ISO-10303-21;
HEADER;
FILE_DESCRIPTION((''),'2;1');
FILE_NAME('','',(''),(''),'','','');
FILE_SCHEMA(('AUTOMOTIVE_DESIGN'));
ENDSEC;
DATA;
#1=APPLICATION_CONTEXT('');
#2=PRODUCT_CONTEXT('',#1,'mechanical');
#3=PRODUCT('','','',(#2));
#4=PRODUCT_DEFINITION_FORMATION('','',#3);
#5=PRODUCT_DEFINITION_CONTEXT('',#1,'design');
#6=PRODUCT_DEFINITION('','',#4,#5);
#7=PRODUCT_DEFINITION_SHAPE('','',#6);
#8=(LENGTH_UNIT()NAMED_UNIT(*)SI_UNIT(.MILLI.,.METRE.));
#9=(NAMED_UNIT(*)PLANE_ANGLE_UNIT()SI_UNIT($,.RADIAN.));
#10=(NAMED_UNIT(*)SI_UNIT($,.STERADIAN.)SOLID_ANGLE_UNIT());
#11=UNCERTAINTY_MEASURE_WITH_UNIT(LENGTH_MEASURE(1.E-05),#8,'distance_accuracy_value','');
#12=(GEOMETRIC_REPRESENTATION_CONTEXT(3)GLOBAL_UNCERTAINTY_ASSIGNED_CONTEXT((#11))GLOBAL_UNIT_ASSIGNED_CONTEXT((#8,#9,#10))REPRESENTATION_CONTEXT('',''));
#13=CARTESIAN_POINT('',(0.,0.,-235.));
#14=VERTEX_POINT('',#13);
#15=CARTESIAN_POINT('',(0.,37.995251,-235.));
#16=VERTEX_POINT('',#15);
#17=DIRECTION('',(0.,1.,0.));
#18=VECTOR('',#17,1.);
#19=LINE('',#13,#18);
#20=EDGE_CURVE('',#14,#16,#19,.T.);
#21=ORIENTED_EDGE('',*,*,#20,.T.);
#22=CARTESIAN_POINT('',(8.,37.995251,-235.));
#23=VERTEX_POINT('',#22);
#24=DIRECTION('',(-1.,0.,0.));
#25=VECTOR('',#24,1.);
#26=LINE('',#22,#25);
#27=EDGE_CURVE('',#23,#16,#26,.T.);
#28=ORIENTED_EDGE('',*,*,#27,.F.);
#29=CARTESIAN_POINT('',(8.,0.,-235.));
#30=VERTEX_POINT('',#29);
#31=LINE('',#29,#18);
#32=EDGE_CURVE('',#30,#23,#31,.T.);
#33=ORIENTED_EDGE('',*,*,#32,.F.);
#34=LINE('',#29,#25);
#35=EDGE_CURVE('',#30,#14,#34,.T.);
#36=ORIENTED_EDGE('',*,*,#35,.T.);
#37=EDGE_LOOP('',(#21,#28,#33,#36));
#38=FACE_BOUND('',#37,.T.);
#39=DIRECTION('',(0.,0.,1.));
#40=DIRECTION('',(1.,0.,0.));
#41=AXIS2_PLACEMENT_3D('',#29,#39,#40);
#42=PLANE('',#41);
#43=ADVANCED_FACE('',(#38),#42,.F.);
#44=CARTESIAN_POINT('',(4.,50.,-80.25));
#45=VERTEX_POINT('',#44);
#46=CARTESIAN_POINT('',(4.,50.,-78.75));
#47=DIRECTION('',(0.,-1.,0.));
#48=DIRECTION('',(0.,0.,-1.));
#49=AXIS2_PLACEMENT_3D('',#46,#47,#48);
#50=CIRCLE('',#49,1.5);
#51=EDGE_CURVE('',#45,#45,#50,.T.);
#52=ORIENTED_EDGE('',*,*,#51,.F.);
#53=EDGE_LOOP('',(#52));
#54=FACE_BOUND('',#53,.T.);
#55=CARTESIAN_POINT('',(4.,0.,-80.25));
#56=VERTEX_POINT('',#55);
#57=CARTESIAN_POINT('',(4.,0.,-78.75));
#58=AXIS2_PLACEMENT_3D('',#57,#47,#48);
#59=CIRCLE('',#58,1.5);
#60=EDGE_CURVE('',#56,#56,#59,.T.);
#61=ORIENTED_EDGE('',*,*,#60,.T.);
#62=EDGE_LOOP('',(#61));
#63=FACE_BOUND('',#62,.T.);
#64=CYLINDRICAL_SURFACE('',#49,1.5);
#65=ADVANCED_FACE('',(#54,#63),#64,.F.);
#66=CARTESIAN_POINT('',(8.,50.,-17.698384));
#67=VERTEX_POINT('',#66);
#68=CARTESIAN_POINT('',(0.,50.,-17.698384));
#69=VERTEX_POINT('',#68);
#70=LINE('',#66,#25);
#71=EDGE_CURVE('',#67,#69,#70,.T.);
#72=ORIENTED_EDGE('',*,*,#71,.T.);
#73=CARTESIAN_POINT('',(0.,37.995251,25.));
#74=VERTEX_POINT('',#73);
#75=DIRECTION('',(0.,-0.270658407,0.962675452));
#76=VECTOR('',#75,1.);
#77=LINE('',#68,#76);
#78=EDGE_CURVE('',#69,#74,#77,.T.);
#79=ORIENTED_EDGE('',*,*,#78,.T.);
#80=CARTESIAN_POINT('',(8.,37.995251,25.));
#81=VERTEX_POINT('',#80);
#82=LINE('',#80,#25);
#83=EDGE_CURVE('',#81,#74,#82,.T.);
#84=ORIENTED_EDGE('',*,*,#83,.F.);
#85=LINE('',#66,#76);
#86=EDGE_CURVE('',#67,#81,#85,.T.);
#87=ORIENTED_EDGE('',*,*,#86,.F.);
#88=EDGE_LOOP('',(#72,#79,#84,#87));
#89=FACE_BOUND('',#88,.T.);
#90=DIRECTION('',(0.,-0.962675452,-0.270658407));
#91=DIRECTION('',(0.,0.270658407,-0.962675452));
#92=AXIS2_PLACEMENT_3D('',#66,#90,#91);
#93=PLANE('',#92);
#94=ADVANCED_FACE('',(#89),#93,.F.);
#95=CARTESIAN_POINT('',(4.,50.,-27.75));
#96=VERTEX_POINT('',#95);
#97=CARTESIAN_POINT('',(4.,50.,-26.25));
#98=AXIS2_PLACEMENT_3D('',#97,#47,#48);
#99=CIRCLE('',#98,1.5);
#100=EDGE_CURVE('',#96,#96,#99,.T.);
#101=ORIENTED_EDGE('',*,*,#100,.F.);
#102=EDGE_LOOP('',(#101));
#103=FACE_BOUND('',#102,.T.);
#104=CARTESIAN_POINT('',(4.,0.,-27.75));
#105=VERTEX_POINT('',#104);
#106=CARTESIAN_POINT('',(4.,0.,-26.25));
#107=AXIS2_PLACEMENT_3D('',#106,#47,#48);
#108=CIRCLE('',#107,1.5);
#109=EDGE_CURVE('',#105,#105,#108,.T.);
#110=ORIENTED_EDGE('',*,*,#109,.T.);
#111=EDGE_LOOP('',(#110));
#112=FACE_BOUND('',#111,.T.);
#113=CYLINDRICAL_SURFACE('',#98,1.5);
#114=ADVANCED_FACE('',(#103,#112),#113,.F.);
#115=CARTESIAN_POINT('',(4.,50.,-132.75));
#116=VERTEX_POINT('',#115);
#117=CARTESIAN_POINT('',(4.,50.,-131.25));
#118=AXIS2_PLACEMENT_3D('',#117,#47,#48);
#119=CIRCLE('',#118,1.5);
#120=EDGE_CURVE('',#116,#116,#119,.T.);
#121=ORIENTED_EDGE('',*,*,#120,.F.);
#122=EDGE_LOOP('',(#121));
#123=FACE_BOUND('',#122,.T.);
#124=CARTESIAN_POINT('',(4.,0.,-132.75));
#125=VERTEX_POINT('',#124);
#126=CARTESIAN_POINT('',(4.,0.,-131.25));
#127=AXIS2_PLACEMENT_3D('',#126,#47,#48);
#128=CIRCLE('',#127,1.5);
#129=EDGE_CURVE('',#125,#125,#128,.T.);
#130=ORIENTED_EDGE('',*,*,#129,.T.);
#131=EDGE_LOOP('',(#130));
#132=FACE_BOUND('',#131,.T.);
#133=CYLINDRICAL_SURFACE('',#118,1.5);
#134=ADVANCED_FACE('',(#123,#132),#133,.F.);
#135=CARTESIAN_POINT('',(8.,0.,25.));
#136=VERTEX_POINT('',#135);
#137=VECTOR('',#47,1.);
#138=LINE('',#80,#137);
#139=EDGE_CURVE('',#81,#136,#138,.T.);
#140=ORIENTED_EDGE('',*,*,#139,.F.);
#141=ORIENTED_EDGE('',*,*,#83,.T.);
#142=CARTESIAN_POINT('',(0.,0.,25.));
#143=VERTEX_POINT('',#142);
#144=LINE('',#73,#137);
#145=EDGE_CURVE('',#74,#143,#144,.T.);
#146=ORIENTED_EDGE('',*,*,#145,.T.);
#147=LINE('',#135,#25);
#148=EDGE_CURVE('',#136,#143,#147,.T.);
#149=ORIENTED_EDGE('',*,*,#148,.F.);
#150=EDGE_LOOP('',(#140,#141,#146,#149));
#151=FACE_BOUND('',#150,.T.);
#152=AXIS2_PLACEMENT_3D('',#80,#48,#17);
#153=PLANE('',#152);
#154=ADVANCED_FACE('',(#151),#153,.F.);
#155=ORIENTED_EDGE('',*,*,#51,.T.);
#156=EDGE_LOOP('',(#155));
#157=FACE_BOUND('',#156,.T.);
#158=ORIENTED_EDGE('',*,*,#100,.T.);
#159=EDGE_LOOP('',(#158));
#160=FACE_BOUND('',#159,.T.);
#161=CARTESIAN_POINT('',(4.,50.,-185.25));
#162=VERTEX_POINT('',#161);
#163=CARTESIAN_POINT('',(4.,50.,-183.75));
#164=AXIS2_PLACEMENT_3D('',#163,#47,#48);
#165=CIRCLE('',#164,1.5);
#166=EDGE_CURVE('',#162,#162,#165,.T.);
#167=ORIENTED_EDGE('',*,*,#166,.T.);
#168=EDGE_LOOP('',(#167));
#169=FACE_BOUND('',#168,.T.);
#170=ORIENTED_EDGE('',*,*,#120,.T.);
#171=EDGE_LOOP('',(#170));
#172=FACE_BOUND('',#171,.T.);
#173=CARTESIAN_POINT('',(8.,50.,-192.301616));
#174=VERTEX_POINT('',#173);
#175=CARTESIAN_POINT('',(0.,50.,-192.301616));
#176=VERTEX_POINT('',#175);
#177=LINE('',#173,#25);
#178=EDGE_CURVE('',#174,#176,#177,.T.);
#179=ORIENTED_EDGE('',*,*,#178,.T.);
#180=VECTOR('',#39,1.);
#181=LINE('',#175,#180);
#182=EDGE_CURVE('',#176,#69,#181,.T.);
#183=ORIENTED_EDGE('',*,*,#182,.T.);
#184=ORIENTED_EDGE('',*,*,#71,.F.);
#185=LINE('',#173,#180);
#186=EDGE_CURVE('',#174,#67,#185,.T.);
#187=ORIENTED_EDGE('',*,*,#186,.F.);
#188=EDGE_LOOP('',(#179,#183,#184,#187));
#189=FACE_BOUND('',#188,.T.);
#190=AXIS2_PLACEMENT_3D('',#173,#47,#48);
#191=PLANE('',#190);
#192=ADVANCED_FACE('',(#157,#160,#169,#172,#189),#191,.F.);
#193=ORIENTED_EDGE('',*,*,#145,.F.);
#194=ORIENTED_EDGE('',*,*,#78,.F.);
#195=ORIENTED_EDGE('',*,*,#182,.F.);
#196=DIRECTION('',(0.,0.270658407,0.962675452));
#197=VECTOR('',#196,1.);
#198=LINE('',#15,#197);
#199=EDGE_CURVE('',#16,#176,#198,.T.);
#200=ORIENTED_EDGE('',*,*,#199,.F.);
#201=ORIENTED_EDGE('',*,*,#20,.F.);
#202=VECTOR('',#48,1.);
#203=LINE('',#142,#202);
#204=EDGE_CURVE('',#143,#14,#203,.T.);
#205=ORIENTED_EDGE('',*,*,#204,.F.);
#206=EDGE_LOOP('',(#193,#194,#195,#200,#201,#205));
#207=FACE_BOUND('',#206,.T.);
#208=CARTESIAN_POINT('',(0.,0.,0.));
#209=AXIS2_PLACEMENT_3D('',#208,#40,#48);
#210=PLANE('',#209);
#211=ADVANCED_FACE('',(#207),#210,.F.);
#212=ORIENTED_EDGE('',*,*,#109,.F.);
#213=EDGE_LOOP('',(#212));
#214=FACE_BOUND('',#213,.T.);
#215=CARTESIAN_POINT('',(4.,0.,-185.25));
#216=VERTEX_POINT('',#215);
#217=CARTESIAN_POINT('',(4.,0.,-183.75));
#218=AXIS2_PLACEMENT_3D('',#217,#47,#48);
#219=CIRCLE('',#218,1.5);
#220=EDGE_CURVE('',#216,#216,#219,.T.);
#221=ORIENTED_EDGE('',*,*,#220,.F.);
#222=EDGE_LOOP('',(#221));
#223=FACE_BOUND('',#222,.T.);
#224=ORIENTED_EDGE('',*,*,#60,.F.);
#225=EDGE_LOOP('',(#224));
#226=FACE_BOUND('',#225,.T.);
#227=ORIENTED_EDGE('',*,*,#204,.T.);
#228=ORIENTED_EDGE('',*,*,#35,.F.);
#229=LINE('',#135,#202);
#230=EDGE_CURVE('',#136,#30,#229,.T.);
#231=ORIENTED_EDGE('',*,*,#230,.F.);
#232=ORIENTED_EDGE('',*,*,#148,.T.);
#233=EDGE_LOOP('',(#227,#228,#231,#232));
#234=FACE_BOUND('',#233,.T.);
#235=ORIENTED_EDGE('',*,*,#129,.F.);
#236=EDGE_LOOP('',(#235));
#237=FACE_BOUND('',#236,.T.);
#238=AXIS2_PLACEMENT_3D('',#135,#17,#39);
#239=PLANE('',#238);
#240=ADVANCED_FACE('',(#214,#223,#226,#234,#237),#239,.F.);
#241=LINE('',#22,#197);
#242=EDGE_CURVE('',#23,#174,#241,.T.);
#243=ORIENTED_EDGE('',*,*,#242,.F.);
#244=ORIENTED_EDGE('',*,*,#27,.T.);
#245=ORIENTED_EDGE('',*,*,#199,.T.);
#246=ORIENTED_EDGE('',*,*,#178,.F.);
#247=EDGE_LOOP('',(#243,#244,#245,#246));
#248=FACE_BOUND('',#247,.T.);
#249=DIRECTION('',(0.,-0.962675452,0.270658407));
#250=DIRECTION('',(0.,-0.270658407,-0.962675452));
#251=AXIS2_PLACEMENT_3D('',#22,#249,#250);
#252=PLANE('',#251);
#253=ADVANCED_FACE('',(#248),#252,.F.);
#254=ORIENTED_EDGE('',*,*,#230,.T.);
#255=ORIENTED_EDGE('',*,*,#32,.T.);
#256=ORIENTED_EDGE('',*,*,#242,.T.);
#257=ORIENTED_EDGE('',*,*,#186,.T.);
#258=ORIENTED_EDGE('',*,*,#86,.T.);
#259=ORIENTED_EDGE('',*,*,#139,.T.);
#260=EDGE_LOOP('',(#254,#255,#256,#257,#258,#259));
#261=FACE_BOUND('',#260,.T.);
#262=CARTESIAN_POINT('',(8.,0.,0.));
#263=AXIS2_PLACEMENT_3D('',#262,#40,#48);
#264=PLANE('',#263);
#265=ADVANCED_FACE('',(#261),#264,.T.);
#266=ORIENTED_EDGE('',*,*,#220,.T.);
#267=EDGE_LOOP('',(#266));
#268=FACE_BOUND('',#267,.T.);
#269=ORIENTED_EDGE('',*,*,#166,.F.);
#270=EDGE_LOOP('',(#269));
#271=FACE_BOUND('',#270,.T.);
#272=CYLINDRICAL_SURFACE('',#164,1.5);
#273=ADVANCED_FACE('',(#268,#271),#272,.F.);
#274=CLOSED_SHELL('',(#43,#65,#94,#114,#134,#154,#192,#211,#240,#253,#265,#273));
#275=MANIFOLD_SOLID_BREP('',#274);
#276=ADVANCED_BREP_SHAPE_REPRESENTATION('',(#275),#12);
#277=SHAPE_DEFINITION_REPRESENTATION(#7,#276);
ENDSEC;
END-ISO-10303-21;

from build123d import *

# Parameters (mm, degrees)
BOSS_EXTRUDE1_DEPTH = 8
SKETCH6_R           = 1.5
CUT_EXTRUDE2_DEPTH  = 50


with BuildPart() as part:
    # Sketch1 → Boss-Extrude1 (new body)
    with BuildSketch(Plane(origin=(0, 0, 0), x_dir=(0, 0, -1), z_dir=(1, 0, 0))):
        Polygon((-25, 0), (235, 0), (235, 37.995251441), (192.301615505, 50), (17.698384495, 50), (-25, 37.995251441), align=None)
    extrude(amount=BOSS_EXTRUDE1_DEPTH)

    # Sketch6 → Cut-Extrude2 (cut)
    with BuildSketch(Plane.XZ):
        with Locations(Location((4, -26.25, 0), (0, 0, 270))):
            Circle(SKETCH6_R)
        with Locations(Location((4, -78.75, 0), (0, 0, 270))):
            Circle(SKETCH6_R)
        with Locations(Location((4, -131.25, 0), (0, 0, 270))):
            Circle(SKETCH6_R)
        with Locations(Location((4, -183.75, 0), (0, 0, 270))):
            Circle(SKETCH6_R)
    extrude(amount=-CUT_EXTRUDE2_DEPTH, mode=Mode.SUBTRACT)


solid = part.part
